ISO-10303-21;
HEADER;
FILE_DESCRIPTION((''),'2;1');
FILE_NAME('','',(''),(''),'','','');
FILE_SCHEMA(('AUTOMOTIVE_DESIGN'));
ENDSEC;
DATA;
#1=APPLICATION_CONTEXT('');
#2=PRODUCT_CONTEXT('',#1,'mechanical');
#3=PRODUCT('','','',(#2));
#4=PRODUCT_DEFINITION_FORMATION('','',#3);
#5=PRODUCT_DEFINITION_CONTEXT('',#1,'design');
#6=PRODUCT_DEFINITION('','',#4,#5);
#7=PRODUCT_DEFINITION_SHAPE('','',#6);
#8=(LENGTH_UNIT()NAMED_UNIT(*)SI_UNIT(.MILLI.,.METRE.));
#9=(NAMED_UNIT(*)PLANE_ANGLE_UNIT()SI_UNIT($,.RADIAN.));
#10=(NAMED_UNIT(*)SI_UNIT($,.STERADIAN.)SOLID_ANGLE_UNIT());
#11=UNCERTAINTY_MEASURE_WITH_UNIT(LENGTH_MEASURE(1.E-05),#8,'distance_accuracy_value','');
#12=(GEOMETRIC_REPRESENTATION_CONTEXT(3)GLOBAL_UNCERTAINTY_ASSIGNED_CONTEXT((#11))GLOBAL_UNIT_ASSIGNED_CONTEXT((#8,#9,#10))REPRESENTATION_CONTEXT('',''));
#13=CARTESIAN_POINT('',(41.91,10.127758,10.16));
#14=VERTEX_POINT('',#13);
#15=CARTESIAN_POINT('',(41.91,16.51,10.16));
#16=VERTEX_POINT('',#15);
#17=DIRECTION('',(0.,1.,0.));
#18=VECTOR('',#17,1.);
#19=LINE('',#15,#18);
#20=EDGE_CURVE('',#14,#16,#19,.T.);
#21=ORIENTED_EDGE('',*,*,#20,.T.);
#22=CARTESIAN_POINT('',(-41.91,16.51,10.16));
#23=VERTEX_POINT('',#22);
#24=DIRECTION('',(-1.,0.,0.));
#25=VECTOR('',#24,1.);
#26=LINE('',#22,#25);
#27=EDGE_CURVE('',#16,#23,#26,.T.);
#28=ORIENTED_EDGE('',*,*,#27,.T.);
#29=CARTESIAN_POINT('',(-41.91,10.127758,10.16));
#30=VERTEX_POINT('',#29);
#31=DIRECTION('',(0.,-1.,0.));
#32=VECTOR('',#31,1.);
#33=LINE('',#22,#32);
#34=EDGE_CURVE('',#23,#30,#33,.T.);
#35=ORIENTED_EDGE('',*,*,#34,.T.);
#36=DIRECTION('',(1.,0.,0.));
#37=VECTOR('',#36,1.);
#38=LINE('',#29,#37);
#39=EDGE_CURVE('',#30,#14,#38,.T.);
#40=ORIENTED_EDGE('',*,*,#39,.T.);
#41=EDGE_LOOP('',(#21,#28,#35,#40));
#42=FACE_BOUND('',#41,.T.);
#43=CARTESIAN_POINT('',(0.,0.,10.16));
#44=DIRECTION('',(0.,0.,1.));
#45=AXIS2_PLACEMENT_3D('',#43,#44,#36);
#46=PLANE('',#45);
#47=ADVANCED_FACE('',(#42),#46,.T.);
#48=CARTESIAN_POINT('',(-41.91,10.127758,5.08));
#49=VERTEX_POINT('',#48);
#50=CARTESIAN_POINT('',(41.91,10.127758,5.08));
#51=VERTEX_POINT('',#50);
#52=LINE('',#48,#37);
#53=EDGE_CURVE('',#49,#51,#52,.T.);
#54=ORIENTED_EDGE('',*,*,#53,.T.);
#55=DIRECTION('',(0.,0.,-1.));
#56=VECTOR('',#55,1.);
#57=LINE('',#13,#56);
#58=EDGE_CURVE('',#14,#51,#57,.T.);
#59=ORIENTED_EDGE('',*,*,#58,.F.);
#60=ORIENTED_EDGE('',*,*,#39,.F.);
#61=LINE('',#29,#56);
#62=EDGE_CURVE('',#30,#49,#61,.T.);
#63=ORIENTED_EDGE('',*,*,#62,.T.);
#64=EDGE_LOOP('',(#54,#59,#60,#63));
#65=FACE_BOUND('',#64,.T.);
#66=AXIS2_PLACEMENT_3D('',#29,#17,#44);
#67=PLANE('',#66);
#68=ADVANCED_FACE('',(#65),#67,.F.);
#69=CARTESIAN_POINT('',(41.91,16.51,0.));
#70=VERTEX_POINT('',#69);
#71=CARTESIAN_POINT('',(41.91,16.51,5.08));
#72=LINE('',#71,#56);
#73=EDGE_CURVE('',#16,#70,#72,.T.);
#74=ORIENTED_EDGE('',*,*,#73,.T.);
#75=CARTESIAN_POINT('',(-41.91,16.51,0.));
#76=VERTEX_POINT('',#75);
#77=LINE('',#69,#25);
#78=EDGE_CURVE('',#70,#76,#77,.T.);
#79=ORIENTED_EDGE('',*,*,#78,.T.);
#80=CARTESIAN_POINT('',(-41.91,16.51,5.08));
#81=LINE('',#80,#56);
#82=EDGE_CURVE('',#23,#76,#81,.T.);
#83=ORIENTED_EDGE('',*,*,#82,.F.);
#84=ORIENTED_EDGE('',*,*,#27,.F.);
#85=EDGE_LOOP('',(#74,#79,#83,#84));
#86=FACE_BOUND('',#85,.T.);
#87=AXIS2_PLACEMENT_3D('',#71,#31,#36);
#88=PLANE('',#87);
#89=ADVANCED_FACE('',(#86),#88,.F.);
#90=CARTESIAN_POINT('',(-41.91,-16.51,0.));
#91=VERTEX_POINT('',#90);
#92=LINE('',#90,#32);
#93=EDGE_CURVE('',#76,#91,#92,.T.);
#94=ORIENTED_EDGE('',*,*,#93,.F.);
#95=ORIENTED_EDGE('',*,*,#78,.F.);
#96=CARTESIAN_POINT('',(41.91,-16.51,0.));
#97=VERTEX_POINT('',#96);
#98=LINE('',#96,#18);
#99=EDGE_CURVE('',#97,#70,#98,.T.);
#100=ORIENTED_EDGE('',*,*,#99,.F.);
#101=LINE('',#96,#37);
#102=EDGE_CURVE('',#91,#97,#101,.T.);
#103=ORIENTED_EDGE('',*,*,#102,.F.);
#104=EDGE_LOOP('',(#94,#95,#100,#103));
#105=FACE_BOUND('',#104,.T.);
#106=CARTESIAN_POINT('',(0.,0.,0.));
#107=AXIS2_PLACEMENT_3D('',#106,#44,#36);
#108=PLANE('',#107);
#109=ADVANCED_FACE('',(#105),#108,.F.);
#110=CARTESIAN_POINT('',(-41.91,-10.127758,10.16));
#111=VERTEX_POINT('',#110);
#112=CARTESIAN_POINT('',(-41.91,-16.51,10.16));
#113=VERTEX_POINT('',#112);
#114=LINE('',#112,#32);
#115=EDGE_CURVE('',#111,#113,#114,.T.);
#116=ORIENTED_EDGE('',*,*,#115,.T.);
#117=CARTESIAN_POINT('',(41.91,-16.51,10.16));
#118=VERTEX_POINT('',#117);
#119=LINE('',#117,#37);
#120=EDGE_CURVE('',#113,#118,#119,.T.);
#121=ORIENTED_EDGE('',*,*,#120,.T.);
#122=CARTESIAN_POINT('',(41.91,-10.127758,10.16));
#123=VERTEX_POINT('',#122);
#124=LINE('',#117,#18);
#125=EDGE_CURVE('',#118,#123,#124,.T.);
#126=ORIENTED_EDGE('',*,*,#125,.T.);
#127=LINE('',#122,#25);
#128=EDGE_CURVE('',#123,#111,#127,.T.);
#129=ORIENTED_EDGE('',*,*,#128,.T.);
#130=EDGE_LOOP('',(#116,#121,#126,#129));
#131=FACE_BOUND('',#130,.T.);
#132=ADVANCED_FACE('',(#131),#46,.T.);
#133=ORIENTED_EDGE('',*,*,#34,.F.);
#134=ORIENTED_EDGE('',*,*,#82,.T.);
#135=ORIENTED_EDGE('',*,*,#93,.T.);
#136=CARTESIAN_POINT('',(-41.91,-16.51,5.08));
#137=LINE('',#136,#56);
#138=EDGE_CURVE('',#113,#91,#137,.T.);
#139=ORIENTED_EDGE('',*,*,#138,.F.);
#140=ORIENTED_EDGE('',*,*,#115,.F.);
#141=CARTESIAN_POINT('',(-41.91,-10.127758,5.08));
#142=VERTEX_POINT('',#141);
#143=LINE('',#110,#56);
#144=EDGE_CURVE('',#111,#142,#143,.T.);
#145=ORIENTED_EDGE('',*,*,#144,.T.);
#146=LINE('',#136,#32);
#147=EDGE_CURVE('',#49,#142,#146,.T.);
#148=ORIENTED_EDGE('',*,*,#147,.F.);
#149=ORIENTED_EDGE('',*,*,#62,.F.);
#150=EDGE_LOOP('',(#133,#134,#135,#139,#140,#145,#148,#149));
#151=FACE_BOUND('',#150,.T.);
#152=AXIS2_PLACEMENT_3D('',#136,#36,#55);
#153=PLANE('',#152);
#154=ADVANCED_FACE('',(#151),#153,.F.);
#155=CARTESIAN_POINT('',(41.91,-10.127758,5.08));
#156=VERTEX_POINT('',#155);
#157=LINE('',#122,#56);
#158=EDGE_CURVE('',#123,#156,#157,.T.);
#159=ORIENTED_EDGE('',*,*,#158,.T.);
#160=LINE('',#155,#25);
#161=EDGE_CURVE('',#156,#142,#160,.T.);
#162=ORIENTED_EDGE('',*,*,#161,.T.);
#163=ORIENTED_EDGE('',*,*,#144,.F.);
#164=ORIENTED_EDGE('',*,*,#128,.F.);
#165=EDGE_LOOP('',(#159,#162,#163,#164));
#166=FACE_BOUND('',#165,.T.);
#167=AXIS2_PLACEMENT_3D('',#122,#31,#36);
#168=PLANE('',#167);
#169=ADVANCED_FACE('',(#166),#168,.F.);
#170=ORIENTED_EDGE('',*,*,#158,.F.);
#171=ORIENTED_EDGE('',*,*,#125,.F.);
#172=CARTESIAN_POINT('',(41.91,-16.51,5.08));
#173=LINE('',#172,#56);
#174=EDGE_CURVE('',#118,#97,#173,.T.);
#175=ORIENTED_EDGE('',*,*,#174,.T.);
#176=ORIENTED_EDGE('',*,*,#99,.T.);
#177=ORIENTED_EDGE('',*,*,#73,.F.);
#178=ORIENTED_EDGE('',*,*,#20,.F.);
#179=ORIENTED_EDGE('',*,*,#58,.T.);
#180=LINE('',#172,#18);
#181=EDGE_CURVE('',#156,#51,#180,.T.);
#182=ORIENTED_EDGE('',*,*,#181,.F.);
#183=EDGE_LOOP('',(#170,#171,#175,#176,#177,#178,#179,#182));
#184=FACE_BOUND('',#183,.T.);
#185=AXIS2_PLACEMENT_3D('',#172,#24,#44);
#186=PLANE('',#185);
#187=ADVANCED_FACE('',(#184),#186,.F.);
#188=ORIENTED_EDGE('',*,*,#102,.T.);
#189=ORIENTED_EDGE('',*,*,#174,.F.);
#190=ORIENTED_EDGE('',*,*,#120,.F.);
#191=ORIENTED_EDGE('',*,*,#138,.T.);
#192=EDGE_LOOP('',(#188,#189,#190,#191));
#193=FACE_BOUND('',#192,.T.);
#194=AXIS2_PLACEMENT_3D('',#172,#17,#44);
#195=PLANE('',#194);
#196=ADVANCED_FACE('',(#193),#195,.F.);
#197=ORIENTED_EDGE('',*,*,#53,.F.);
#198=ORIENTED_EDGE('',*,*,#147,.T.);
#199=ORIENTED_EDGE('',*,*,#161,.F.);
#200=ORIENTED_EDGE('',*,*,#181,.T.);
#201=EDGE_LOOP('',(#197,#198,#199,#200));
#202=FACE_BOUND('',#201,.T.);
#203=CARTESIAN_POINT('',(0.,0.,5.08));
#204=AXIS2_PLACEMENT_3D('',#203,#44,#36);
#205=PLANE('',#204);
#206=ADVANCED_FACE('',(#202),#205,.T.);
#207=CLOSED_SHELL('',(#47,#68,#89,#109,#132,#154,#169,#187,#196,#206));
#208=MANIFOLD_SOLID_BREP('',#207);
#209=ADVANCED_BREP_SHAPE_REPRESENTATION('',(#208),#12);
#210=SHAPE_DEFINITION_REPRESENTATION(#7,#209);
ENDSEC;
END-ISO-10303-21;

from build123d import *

# Parameters (mm, degrees)
SKETCH1_W           = 83.82
SKETCH1_H           = 33.02
BOSS_EXTRUDE1_DEPTH = 5.08
SKETCH3_W           = 83.82
SKETCH3_H           = 6.382242488
BOSS_EXTRUDE2_DEPTH = 5.08


with BuildPart() as part:
    # Sketch1 → Boss-Extrude1 (new body)
    with BuildSketch(Plane.XY):
        Rectangle(SKETCH1_W, SKETCH1_H)
    extrude(amount=BOSS_EXTRUDE1_DEPTH)

    # Sketch3 → Boss-Extrude2 (add)
    with BuildSketch(Plane.XY.offset(5.08)):
        with Locations((0, 13.318878756)):
            Rectangle(SKETCH3_W, SKETCH3_H)
        with Locations((0, -13.318878756)):
            Rectangle(SKETCH3_W, SKETCH3_H)
    extrude(amount=BOSS_EXTRUDE2_DEPTH)


solid = part.part
